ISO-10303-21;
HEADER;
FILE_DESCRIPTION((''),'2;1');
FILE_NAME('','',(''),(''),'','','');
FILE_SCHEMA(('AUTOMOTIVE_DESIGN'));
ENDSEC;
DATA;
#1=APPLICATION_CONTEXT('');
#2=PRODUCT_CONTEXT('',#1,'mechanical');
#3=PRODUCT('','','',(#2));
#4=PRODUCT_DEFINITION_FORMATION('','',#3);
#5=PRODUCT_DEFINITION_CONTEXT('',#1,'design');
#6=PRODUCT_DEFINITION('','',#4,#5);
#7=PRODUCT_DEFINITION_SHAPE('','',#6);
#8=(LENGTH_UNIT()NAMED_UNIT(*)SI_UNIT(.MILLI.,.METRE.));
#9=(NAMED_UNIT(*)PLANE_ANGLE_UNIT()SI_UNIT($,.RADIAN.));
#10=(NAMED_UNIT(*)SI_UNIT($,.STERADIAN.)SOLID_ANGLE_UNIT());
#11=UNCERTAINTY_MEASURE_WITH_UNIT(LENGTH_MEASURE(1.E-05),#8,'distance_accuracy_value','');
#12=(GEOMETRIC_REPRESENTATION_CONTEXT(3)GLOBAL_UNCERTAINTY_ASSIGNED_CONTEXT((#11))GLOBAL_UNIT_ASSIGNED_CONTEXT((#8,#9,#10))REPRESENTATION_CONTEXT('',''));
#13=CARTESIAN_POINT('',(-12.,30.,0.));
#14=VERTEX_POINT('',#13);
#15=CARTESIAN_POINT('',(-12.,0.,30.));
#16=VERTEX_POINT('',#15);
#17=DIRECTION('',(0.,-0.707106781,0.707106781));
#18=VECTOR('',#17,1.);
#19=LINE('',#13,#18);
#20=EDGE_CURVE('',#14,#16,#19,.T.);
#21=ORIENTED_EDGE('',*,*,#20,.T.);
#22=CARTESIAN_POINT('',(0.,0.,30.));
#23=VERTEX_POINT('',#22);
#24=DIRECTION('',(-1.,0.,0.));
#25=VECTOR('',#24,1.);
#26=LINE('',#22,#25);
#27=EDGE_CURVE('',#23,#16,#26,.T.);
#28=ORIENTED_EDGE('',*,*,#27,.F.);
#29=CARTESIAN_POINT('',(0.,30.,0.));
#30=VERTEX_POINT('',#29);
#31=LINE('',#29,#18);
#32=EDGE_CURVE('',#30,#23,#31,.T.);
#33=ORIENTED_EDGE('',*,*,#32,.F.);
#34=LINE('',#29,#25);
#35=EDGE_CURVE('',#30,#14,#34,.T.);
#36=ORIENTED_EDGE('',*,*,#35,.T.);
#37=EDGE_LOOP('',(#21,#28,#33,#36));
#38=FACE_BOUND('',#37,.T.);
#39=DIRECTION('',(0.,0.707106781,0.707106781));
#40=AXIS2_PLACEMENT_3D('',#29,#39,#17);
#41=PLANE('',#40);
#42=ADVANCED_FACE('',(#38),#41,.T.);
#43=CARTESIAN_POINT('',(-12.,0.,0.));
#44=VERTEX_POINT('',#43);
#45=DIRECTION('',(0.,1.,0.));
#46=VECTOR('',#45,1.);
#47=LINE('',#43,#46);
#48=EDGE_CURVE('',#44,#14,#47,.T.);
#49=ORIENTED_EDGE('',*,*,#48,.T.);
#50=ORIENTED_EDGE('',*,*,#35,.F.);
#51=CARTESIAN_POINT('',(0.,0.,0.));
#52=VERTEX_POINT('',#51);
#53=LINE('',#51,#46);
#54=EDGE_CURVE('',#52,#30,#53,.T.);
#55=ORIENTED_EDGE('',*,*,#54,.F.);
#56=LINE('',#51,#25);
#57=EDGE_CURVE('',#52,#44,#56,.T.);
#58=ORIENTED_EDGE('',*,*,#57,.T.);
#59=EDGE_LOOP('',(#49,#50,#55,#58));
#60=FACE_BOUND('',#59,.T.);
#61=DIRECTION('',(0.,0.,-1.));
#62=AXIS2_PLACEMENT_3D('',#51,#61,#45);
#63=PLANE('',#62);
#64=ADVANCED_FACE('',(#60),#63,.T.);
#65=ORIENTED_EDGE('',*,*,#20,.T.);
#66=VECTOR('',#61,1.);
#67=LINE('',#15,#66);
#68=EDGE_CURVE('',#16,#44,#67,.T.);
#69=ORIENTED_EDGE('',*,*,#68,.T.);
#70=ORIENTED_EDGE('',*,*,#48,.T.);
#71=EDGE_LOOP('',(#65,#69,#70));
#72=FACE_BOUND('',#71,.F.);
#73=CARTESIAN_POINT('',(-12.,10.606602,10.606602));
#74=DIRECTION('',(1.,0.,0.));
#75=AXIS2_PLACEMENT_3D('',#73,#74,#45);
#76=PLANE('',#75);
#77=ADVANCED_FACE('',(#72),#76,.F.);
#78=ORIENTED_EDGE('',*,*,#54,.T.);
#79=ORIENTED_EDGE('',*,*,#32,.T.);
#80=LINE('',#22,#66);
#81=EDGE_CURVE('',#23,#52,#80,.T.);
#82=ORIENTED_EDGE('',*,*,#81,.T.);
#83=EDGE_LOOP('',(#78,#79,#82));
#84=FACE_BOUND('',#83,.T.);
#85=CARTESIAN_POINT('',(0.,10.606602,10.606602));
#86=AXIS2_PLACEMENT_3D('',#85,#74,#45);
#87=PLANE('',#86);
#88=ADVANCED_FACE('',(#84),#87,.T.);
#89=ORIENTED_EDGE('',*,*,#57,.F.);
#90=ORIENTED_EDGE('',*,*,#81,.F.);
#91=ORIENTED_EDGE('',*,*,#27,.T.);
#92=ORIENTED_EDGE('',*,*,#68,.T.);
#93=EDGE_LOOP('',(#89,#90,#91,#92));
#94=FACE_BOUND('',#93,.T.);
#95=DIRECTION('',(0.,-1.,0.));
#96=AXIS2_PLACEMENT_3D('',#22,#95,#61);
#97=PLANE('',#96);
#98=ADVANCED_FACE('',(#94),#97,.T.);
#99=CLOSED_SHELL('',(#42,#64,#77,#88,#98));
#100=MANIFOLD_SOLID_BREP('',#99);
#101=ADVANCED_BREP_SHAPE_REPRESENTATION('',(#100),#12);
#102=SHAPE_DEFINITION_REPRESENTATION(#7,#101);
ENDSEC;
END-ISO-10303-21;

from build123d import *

# Parameters (mm, degrees)
F1_DEPTH = 12


with BuildPart() as f1:
    # F0 (on Right) → F1 (new body)
    with BuildSketch(Plane.YZ):
        Polygon((30, 0), (0, 30), (0, 0), align=None)
    extrude(amount=-F1_DEPTH)


solid = f1.part
